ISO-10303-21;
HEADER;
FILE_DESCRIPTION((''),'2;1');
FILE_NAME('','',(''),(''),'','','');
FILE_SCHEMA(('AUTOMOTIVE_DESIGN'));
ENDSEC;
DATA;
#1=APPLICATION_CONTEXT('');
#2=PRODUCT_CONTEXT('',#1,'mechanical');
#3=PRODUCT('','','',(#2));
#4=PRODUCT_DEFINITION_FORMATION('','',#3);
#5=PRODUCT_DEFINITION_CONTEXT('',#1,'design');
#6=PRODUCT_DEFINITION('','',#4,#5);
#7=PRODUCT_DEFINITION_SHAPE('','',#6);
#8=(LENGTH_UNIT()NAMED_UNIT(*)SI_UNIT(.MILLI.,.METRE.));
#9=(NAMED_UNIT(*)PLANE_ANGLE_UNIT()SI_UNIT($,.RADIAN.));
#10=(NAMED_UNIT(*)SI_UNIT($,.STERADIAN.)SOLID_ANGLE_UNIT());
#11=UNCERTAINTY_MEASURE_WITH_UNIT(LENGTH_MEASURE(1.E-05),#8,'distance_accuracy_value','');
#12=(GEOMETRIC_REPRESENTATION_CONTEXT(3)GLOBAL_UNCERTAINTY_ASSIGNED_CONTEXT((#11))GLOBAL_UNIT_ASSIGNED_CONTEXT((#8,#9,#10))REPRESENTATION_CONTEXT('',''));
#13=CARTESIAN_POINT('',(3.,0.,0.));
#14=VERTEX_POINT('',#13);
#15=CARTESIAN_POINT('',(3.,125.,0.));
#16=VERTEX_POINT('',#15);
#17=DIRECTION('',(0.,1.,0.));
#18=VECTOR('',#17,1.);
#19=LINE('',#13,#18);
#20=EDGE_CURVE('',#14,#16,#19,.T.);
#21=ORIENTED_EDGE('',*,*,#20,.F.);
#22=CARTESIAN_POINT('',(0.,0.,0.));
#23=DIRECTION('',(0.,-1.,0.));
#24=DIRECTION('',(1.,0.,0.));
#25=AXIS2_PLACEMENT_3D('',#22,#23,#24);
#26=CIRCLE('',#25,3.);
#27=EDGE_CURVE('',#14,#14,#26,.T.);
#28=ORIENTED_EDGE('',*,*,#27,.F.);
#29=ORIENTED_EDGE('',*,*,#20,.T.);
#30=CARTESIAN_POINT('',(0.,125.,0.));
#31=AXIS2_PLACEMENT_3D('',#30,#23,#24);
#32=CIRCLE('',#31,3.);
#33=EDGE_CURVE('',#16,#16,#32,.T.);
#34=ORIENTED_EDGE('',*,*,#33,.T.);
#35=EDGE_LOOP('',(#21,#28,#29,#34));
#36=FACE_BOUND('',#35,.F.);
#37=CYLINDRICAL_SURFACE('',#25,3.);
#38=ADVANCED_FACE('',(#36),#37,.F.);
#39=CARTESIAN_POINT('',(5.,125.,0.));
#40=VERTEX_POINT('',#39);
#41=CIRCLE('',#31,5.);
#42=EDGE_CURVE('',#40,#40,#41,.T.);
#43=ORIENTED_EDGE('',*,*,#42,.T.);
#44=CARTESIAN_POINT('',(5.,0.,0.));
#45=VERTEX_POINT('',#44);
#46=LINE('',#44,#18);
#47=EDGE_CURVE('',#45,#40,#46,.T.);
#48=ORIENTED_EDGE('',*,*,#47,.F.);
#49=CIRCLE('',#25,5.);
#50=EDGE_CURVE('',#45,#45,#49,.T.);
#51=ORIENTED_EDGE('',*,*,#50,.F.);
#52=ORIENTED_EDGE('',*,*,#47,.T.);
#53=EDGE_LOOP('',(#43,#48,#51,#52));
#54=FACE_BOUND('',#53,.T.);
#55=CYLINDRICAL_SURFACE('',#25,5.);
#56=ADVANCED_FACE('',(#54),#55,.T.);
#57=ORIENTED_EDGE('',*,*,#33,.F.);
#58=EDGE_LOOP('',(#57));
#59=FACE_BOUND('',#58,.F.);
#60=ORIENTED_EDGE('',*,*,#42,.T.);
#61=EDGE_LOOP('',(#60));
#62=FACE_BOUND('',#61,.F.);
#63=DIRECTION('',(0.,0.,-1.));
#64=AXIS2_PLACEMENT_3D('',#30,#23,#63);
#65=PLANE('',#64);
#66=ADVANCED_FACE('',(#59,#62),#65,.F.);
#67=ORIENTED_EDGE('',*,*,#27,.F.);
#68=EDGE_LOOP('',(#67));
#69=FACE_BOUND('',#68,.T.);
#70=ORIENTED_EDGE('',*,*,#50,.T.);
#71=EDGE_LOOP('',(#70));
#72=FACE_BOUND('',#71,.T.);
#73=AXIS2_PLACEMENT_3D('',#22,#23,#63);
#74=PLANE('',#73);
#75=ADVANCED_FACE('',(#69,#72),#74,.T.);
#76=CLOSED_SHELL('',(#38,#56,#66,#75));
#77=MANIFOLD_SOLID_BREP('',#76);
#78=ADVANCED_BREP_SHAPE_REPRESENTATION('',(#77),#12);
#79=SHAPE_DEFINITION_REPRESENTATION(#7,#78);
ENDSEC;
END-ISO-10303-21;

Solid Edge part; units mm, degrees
sketch "Sketch1" plane through (0, 0, 0) normal (0, -1, 0) x (1, 0, 0)
  circle A0 centre (0, 0) radius 3
  circle A1 centre (0, 0) radius 5
  dimension "D1" = 10
  dimension "D2" = 2
extrude "Protrusion1" add sketch "Sketch1" against normal blind 125
properties material "Aluminum, 1060"
